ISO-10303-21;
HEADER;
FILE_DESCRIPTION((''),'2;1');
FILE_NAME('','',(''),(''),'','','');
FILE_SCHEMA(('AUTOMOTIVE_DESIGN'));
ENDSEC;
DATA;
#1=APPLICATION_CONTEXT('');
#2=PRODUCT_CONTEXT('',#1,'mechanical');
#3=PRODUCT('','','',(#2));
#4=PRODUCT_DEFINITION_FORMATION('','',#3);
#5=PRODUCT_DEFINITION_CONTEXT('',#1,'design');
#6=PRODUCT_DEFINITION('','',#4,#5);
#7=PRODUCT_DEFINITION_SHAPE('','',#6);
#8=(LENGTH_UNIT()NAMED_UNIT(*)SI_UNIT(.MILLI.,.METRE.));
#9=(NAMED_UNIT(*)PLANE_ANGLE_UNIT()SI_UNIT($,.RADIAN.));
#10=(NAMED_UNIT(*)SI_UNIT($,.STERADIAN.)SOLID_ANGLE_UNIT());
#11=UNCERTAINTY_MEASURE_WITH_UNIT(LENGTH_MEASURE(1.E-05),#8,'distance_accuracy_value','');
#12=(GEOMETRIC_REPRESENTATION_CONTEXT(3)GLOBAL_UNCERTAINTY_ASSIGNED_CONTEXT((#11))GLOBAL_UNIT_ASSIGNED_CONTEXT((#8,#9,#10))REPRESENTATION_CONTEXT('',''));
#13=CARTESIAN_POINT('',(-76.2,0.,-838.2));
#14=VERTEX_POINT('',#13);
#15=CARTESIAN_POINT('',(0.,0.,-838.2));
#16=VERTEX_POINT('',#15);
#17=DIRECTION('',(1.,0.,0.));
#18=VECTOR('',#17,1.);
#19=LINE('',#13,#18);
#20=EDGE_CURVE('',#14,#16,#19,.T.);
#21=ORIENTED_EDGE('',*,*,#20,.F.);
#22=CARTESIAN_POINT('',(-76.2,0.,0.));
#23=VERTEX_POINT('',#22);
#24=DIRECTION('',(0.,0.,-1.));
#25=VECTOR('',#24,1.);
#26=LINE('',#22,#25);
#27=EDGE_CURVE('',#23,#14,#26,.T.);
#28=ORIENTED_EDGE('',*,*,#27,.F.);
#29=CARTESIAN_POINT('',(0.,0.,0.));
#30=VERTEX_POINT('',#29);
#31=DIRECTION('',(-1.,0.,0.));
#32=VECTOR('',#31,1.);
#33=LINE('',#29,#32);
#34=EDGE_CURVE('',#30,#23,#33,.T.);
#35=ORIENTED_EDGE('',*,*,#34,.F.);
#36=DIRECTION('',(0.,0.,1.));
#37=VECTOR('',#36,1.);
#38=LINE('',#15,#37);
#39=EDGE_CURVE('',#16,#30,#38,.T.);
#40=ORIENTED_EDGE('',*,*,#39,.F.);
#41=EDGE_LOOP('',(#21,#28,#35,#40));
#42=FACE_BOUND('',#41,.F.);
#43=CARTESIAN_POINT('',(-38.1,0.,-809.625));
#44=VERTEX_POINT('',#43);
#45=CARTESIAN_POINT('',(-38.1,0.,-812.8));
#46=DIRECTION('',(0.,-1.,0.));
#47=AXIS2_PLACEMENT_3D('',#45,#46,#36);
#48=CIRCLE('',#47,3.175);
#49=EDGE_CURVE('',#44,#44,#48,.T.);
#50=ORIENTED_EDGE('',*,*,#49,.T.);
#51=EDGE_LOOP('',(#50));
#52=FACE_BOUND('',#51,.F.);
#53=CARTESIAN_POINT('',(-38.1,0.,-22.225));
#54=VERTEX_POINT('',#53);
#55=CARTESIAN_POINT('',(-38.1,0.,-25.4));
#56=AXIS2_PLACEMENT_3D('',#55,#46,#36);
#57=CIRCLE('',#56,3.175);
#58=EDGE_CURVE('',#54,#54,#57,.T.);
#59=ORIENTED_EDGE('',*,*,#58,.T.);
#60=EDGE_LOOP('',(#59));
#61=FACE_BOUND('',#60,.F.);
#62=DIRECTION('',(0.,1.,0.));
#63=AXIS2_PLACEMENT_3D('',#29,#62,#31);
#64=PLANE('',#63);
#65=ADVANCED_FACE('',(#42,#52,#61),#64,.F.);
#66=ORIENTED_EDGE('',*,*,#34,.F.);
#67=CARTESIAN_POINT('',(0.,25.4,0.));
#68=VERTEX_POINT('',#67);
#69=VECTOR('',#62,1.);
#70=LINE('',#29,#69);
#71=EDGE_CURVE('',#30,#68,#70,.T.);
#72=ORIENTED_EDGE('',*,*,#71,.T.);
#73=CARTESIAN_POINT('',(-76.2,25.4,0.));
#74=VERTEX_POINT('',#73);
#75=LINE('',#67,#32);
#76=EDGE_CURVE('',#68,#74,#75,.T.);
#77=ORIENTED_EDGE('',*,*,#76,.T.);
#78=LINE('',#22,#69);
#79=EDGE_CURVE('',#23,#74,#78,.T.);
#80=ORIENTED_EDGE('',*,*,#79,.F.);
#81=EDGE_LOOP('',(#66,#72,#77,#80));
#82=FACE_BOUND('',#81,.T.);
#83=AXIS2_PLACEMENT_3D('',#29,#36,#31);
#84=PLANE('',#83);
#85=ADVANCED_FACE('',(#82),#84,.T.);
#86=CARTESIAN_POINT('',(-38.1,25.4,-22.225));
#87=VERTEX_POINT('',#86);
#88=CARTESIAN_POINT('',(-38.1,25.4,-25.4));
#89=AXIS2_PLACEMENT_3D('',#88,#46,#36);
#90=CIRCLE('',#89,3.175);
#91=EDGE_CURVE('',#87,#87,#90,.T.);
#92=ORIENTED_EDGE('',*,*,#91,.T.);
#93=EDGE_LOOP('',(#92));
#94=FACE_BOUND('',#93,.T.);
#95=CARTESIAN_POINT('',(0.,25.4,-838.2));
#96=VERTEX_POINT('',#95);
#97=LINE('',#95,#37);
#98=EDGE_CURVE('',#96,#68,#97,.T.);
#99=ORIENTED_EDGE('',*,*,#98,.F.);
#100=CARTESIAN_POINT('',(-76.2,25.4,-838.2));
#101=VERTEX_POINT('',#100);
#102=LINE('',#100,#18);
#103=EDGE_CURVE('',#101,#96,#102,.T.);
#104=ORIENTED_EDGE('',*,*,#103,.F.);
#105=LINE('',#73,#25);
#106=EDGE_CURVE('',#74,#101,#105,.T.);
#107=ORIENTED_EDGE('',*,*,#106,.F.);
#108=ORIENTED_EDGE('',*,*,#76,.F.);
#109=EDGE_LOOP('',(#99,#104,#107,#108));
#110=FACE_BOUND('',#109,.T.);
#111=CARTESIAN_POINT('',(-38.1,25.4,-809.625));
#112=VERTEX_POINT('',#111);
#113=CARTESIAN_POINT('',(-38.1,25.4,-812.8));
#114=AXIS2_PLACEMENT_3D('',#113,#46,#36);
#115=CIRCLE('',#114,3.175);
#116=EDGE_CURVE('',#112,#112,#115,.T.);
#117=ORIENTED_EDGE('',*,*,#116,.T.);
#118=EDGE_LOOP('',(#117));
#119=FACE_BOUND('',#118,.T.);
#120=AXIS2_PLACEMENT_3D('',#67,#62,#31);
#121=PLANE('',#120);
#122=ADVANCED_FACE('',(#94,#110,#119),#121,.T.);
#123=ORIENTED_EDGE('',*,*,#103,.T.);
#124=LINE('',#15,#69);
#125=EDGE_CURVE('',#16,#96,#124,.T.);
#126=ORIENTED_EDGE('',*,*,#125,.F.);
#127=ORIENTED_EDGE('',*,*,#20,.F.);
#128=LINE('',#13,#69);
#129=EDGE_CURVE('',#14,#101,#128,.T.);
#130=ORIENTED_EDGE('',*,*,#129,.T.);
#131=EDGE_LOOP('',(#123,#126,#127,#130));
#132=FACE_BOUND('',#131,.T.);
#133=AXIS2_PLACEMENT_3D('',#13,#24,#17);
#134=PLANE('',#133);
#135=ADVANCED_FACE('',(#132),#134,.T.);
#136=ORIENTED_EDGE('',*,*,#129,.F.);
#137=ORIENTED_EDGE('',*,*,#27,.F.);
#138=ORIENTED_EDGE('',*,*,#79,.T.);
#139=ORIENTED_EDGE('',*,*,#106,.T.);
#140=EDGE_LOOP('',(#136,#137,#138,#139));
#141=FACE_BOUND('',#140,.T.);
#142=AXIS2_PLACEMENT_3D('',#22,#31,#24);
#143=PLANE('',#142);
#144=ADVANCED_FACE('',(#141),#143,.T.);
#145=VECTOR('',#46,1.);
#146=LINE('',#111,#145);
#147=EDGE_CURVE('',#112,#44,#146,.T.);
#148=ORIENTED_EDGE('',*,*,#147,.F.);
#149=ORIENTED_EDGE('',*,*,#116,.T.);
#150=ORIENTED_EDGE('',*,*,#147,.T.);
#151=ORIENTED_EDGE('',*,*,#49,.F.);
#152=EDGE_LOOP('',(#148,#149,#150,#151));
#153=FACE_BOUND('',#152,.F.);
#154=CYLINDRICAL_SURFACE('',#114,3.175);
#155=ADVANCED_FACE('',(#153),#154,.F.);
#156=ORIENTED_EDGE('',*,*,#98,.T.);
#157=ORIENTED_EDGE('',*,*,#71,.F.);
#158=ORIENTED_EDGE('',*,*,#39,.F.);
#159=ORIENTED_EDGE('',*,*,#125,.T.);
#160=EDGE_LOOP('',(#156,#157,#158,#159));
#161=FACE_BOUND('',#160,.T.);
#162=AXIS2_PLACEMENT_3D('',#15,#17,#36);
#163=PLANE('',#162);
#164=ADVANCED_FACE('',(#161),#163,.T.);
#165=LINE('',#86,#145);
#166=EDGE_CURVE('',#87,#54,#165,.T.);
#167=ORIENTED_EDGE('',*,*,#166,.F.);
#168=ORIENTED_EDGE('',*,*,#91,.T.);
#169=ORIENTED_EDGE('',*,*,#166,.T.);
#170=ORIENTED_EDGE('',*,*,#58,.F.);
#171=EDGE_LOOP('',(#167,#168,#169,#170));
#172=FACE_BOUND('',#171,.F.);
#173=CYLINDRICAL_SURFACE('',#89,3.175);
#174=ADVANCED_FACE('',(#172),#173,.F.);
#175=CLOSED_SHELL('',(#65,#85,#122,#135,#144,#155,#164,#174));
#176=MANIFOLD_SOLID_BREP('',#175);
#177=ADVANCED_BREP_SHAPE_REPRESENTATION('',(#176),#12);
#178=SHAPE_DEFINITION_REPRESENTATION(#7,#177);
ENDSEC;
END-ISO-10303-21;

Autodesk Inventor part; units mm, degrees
ref_plane "YZ Plane" through (0, 0, 0) normal (1, 0, 0) x (0, 1, 0)
ref_plane "XZ Plane" through (0, 0, 0) normal (0, 1, 0) x (-1, 0, 0)
ref_plane "XY Plane" through (0, 0, 0) normal (0, 0, 1) x (1, 0, 0)
sketch "Sketch1" plane through (0, 0, 0) normal (0, 1, 0) x (-1, 0, 0)
  line L0 (0, 0) -> (76.2, 0)
  line L1 (76.2, 0) -> (76.2, -838.2)
  line L2 (76.2, -838.2) -> (0, -838.2)
  line L3 (0, -838.2) -> (0, 0)
  dimension "d0" = 76.2
  dimension "d1" = 838.2
extrude "Extrusion1" add sketch "Sketch1" along normal blind 25.4
sketch "Sketch2" plane through (0, 25.4, 0) normal (0, 1, 0) x (1, 0, 0)
  line L0 (-76.2, 0) -> (0, 0) projected
  line L1 (-76.2, 838.2) -> (-76.2, 0) projected
  point P0 (-38.1, 25.4)
  point P1 (-38.1, 812.8)
  point P2 (-38.1, 419.1)
  point P3 (-38.1, 0)
  point P4 (-76.2, 419.1)
  dimension "d4" = 787.4
  dimension "d5" = 393.7
hole "Hole1" at (-38.1, 25.4, -812.8) at (-38.1, 25.4, -25.4) direction (0, -1, 0) diameter 6.35 end through all
equation "\"d5\" = 0.5 * d4"
properties part number "CarrierBracket" material "Wood (Birch)"
